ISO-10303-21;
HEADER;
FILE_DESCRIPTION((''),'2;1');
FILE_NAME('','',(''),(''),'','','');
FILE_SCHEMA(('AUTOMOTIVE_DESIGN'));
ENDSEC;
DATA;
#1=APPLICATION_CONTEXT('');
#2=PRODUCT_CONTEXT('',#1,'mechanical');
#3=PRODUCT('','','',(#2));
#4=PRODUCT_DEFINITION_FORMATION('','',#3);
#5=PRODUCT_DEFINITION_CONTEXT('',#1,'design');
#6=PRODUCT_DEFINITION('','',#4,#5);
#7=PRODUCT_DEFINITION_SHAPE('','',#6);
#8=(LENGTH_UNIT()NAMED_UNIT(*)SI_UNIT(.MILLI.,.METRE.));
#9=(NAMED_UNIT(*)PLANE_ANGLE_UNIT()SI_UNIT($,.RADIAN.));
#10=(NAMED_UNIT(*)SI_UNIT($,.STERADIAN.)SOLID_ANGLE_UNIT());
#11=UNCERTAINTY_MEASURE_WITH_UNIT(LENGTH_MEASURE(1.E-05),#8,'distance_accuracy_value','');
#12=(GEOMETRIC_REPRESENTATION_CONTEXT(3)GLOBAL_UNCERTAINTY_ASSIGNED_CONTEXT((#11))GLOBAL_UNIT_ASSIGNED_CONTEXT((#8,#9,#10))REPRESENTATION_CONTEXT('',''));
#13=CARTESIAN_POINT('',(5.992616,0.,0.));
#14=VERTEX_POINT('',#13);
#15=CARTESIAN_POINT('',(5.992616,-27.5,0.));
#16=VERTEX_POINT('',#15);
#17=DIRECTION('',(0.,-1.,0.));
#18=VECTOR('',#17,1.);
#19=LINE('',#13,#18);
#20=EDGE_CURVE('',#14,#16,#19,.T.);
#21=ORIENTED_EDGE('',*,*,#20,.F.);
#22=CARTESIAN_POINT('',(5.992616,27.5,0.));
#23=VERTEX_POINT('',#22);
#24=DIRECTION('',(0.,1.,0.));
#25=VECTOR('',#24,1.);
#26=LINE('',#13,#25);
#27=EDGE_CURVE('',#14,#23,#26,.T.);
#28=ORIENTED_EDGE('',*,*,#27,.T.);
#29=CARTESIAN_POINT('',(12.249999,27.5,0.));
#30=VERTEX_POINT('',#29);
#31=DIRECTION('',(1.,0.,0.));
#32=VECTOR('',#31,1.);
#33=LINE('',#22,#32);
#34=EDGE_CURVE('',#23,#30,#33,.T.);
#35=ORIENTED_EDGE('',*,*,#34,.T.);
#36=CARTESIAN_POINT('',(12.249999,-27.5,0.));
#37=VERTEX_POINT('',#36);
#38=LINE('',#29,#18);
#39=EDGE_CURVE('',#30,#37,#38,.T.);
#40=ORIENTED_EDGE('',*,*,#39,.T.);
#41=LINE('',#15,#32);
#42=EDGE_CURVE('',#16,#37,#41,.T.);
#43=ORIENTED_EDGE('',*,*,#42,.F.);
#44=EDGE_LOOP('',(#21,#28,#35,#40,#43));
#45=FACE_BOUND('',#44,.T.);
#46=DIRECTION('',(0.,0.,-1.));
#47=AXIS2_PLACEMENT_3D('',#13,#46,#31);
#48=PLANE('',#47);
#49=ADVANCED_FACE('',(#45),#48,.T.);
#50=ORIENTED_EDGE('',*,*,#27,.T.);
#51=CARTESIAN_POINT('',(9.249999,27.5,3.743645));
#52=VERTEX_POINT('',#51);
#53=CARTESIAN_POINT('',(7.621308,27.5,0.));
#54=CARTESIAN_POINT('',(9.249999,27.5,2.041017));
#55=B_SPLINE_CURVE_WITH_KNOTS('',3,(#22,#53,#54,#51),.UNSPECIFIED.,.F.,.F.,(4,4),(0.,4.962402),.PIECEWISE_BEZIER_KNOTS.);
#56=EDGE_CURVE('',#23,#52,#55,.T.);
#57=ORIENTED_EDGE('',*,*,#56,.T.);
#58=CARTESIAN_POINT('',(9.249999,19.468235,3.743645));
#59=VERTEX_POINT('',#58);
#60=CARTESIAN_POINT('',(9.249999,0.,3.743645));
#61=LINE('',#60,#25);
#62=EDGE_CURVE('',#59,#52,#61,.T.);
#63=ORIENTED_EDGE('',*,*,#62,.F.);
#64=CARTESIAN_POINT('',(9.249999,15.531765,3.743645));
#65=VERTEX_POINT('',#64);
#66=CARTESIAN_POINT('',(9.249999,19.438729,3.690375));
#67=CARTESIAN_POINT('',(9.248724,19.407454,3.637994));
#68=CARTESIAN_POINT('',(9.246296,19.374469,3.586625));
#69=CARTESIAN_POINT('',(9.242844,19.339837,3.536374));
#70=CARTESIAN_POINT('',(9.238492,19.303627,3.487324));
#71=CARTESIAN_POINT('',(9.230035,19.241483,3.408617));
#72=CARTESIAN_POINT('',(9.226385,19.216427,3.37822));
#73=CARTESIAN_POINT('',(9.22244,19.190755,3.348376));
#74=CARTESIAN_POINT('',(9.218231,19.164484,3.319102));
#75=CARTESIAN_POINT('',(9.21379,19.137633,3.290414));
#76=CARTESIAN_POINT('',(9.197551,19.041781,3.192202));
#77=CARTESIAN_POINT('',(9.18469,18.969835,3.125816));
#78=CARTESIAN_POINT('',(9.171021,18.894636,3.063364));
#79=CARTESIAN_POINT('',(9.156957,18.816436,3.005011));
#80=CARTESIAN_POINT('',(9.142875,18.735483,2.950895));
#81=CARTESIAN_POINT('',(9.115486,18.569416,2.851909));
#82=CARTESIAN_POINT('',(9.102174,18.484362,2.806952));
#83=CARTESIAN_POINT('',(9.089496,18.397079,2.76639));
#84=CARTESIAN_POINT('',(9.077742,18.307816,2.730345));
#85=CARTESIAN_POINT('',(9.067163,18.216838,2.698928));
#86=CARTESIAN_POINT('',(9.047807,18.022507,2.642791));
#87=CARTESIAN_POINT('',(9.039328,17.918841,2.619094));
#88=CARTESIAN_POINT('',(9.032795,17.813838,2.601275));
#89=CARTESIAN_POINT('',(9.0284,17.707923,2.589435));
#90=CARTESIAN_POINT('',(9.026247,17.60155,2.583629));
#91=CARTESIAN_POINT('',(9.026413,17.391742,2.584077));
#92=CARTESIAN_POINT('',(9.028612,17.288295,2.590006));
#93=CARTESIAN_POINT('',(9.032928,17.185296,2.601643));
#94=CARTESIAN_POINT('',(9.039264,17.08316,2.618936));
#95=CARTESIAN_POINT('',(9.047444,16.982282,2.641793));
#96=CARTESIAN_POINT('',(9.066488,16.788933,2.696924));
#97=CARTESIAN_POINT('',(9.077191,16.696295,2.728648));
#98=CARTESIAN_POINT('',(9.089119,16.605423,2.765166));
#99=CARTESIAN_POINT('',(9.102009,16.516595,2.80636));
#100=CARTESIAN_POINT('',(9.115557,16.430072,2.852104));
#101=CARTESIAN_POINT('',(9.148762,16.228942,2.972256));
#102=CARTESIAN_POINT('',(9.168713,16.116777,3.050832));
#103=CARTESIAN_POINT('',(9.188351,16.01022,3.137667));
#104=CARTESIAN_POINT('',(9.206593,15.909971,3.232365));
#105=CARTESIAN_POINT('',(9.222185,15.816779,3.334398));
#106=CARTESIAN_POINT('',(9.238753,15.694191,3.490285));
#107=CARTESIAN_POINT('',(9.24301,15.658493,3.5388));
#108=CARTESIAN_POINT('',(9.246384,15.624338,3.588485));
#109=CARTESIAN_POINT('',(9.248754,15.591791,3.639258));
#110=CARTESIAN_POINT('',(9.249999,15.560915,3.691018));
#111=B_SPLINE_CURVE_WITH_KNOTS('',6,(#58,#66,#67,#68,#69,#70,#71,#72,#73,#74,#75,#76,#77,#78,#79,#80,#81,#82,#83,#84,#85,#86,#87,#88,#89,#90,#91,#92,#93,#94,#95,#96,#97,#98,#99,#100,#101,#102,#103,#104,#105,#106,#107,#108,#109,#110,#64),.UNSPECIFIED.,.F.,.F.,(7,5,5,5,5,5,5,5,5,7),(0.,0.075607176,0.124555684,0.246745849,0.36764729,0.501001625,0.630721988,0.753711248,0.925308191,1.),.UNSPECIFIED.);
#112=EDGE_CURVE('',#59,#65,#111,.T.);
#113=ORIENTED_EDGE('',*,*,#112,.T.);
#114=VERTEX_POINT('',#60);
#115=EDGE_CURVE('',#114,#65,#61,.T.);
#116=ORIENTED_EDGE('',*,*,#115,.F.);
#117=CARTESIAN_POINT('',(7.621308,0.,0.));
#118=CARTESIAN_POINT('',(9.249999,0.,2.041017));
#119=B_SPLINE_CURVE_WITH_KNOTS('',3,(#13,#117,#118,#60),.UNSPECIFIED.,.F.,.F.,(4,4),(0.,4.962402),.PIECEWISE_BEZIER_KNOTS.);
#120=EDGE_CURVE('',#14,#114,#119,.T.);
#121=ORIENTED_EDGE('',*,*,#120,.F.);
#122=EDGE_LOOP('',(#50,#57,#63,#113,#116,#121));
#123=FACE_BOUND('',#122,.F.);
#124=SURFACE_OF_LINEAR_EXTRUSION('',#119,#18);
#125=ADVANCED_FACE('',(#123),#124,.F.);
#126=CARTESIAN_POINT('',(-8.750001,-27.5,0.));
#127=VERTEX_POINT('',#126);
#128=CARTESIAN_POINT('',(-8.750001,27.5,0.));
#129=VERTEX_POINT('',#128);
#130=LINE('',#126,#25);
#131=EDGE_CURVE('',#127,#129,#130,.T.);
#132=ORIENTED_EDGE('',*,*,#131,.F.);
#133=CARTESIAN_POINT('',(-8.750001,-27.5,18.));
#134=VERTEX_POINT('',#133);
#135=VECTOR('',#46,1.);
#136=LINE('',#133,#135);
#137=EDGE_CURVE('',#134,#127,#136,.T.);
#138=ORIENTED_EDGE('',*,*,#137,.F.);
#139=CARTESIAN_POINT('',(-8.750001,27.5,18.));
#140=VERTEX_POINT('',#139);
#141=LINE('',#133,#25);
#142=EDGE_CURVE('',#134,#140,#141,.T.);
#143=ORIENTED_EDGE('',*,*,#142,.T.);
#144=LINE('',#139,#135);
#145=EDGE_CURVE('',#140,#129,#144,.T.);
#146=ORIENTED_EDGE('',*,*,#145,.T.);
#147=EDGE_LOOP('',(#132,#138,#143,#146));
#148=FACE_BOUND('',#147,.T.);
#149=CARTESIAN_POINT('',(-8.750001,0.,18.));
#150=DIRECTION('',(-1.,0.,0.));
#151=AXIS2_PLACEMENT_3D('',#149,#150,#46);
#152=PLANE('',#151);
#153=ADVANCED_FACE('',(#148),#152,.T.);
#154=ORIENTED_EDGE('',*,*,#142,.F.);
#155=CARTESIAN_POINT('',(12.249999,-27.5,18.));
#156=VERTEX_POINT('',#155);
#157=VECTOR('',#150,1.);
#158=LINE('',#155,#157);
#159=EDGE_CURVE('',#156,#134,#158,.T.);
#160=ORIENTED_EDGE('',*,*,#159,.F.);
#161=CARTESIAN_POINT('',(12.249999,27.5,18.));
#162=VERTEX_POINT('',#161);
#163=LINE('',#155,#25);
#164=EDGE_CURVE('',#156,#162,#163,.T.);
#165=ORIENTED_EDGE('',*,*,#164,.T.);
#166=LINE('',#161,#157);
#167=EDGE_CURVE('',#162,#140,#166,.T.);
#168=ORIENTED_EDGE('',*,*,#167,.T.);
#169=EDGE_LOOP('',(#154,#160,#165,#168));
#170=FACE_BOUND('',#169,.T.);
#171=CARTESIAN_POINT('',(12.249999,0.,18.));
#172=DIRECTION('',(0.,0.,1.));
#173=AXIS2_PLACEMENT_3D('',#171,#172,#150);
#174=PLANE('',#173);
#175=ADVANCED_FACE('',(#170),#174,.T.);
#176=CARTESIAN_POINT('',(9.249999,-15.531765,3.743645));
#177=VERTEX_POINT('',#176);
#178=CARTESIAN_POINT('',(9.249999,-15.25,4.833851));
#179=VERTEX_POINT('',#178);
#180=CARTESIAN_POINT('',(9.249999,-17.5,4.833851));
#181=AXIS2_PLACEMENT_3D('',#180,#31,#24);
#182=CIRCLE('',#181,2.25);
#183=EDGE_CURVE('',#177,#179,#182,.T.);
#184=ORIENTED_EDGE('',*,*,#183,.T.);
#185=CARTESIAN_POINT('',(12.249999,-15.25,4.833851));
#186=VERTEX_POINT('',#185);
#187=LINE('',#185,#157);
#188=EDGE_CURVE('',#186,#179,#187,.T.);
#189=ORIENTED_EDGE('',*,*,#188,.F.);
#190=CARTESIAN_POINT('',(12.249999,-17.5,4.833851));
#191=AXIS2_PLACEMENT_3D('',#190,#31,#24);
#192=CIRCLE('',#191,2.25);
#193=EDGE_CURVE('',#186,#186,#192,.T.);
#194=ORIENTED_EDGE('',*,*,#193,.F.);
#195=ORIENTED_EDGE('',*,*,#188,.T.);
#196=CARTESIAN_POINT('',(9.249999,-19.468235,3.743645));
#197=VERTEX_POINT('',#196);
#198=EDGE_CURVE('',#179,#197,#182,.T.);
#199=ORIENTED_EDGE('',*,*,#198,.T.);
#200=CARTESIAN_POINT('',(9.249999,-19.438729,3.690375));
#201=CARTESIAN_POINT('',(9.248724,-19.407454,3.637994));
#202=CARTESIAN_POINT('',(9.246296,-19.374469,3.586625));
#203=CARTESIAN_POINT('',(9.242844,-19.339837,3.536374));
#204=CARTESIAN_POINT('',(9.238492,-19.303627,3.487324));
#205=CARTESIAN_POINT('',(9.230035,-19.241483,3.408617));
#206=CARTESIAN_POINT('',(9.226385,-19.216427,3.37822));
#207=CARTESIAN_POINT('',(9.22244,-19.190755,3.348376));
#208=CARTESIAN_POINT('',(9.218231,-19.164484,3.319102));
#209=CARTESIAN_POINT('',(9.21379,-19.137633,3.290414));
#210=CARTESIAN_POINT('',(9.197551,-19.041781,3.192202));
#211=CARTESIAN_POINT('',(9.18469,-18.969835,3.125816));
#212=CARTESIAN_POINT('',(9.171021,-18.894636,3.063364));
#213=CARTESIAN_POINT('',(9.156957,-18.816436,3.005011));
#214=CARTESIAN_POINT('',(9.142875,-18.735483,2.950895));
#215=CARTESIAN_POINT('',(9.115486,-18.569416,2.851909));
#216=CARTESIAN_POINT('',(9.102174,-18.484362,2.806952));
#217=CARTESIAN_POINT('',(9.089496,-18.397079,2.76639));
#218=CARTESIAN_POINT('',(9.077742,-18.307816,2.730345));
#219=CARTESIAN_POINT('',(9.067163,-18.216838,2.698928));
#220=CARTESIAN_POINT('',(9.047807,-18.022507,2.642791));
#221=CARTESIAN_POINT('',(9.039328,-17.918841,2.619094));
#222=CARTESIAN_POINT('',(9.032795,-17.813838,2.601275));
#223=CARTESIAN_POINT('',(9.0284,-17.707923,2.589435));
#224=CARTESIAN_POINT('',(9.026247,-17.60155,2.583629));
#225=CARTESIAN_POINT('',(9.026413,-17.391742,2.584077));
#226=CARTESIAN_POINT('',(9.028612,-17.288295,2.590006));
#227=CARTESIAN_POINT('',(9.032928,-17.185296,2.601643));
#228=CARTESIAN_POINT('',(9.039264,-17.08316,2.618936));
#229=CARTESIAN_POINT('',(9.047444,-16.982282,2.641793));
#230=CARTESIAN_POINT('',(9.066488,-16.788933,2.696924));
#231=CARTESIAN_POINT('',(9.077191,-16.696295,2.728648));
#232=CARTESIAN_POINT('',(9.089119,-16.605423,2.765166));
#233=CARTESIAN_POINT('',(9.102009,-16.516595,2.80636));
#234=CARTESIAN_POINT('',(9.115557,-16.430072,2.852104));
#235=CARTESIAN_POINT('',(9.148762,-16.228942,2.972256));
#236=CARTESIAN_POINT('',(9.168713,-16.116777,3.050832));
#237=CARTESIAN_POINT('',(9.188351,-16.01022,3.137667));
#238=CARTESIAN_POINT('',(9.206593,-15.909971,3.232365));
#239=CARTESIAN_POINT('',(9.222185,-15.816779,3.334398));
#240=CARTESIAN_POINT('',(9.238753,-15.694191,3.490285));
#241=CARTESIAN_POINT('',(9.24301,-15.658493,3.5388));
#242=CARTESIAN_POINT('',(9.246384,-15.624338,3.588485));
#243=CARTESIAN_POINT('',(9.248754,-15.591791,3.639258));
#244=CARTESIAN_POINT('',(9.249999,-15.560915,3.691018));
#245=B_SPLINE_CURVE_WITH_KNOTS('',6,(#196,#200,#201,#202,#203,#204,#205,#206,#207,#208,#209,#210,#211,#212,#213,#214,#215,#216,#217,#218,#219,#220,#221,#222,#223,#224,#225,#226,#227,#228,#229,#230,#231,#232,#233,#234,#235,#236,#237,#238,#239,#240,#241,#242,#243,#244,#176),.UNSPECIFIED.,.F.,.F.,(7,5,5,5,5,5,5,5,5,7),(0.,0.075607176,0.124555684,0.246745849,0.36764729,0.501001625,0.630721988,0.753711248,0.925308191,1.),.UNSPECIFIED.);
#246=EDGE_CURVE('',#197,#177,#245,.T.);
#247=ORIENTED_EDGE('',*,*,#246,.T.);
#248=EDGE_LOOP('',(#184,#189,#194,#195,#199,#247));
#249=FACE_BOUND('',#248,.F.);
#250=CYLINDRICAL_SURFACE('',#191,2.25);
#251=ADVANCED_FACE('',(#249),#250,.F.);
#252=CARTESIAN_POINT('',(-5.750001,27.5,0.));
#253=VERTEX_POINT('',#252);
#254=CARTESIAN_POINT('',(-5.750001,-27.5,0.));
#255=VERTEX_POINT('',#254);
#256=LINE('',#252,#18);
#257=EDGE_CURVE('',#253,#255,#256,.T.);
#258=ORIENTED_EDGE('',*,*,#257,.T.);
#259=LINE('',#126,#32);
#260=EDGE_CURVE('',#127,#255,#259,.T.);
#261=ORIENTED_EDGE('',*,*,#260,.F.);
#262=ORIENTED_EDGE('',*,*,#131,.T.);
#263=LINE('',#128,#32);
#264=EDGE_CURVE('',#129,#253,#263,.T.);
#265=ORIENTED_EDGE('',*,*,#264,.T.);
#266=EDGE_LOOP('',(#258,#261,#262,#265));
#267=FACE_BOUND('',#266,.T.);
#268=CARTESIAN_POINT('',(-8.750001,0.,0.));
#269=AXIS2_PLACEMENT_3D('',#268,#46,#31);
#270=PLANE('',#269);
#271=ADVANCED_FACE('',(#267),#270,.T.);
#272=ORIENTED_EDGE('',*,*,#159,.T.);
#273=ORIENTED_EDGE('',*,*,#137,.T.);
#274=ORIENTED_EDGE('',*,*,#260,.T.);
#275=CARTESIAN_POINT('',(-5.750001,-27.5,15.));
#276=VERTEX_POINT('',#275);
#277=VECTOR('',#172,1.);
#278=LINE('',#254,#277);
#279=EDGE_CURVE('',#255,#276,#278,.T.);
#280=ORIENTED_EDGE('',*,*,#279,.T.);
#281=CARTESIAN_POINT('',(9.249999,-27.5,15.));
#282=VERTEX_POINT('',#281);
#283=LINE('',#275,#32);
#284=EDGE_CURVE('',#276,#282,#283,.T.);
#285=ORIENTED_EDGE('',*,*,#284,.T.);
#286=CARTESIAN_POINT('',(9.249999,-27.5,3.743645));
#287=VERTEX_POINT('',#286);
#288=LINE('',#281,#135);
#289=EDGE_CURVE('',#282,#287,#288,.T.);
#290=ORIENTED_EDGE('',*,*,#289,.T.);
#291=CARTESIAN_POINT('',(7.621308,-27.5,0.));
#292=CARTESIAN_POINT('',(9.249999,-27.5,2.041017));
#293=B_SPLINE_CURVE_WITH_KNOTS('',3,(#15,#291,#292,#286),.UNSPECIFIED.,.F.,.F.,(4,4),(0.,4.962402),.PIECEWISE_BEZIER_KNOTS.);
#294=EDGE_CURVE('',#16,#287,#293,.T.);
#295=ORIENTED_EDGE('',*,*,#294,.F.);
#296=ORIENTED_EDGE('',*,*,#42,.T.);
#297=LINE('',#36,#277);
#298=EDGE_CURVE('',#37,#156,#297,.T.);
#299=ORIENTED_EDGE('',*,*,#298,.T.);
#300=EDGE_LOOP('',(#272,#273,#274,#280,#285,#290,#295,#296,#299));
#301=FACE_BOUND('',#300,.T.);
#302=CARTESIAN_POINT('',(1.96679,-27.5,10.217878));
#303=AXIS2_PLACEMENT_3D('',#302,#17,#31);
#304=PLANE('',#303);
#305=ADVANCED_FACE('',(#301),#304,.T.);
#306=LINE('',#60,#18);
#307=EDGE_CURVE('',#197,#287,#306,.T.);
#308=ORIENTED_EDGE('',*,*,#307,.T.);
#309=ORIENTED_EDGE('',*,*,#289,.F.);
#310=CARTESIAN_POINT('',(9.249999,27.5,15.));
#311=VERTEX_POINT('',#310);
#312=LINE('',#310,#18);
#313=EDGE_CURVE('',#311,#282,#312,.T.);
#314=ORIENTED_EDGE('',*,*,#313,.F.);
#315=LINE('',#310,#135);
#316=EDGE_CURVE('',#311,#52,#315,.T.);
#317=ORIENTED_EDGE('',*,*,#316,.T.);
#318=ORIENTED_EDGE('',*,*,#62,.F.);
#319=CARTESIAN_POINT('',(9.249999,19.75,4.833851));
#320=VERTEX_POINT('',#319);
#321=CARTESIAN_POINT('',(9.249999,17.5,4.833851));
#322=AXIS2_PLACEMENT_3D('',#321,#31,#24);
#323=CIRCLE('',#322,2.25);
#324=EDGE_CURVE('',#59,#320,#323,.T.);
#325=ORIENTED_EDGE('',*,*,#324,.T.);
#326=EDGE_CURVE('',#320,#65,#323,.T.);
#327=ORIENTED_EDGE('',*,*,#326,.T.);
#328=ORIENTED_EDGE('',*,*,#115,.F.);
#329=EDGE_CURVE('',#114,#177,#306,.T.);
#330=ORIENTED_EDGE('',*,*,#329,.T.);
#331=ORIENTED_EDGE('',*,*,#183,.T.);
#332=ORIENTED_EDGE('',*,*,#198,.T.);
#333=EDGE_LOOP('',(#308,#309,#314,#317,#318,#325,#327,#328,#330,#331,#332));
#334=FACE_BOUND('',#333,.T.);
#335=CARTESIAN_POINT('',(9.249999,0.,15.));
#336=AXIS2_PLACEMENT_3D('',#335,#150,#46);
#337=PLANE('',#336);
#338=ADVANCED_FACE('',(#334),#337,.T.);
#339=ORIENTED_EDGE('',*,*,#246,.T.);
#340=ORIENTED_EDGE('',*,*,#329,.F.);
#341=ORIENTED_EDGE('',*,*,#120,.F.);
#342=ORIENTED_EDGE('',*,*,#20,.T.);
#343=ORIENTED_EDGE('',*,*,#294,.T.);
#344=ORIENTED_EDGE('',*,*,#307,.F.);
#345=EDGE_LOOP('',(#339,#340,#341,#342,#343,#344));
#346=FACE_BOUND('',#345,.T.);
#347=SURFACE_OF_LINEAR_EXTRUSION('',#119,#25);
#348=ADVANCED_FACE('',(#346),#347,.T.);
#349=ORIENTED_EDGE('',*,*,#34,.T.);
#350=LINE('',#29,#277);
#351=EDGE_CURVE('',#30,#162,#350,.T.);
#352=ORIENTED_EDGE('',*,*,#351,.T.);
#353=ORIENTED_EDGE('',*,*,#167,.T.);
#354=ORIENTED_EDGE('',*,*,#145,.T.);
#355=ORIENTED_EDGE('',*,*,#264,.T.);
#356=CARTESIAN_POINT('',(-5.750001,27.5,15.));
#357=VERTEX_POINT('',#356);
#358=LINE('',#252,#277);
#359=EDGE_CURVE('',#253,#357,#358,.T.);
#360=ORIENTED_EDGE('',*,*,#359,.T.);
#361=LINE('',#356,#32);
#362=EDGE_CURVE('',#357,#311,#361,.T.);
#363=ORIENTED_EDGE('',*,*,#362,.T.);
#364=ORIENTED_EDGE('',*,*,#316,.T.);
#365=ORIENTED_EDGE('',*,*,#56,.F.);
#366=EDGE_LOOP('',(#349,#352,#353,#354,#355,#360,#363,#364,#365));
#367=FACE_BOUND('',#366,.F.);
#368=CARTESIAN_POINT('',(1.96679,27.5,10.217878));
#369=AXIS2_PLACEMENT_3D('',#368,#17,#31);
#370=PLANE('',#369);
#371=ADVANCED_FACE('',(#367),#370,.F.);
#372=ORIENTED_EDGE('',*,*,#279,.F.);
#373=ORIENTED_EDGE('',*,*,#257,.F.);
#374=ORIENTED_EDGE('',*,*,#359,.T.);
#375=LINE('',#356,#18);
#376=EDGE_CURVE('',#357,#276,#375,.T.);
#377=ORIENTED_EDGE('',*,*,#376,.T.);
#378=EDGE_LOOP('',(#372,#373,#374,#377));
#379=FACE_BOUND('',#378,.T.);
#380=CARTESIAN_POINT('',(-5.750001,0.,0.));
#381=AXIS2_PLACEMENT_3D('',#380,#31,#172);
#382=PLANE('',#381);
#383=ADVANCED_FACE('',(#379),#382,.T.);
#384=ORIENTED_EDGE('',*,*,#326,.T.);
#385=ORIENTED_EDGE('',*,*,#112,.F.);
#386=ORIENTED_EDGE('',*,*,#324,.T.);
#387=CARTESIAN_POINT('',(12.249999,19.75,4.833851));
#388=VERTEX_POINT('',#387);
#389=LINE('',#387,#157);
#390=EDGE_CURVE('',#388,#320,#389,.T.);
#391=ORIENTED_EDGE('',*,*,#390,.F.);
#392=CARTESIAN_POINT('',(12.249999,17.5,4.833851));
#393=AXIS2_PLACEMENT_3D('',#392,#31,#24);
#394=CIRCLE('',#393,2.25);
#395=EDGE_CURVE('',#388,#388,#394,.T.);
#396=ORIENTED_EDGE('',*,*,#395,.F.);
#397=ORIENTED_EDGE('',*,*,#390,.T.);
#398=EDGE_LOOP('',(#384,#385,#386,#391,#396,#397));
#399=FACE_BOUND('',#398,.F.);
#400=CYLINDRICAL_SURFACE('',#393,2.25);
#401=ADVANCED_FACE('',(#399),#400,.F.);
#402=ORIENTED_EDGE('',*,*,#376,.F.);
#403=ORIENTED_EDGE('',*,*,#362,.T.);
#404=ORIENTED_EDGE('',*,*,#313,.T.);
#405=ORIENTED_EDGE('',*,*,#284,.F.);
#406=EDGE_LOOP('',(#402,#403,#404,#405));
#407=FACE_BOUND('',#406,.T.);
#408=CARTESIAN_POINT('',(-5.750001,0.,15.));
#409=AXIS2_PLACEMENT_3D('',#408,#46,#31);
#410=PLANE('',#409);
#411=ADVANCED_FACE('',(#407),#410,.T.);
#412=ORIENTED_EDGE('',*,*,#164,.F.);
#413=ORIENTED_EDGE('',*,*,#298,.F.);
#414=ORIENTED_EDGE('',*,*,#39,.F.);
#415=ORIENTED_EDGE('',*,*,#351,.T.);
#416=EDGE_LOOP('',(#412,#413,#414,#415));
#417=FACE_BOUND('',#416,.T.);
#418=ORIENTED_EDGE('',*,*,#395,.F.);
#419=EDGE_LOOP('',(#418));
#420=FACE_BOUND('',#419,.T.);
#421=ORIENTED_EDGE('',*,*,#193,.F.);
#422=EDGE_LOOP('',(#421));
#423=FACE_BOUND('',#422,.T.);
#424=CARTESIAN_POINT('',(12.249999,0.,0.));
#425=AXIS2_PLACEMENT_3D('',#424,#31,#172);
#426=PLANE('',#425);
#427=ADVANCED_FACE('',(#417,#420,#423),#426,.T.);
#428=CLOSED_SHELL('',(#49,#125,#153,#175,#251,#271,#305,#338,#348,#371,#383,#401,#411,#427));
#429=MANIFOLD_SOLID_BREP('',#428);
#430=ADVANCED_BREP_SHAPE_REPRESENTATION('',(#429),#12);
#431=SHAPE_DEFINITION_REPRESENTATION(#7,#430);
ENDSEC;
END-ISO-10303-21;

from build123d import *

# Parameters (mm, degrees)
F1_DEPTH = 27.5
F2_R     = 2.25
F3_DEPTH = 5


with BuildPart() as f1:
    # F0 (on Front) → F1 (new body, symmetric)
    with BuildSketch(Plane.XZ):
        with BuildLine():
            Line((-8.750001, 0), (-5.750001, 0))
            Line((-5.750001, 0), (-5.750001, 15))
            Line((-5.750001, 15), (9.249999, 15))
            Line((9.249999, 15), (9.249999, 3.743645))
            add(Edge.make_bspline(
                [(5.992616, 0), (7.621308, 0), (9.249999, 2.041017), (9.249999, 3.743645)],
                knots=[0, 0, 0, 0, 4.962402, 4.962402, 4.962402, 4.962402], degree=3))
            Line((5.992616, 0), (9.249999, 0))
            Line((9.249999, 0), (12.249999, 0))
            Line((12.249999, 0), (12.249999, 18))
            Line((12.249999, 18), (-8.750001, 18))
            Line((-8.750001, 18), (-8.750001, 0))
        make_face()
    extrude(amount=F1_DEPTH, both=True)

    # F2 (on face) → F3 (cut)
    with BuildSketch(Plane.YZ.offset(12.249999)):
        with Locations((-17.5, 4.833851)):
            Circle(F2_R)
        with Locations((17.5, 4.833851)):
            Circle(F2_R)
    extrude(amount=-F3_DEPTH, mode=Mode.SUBTRACT)


solid = f1.part
